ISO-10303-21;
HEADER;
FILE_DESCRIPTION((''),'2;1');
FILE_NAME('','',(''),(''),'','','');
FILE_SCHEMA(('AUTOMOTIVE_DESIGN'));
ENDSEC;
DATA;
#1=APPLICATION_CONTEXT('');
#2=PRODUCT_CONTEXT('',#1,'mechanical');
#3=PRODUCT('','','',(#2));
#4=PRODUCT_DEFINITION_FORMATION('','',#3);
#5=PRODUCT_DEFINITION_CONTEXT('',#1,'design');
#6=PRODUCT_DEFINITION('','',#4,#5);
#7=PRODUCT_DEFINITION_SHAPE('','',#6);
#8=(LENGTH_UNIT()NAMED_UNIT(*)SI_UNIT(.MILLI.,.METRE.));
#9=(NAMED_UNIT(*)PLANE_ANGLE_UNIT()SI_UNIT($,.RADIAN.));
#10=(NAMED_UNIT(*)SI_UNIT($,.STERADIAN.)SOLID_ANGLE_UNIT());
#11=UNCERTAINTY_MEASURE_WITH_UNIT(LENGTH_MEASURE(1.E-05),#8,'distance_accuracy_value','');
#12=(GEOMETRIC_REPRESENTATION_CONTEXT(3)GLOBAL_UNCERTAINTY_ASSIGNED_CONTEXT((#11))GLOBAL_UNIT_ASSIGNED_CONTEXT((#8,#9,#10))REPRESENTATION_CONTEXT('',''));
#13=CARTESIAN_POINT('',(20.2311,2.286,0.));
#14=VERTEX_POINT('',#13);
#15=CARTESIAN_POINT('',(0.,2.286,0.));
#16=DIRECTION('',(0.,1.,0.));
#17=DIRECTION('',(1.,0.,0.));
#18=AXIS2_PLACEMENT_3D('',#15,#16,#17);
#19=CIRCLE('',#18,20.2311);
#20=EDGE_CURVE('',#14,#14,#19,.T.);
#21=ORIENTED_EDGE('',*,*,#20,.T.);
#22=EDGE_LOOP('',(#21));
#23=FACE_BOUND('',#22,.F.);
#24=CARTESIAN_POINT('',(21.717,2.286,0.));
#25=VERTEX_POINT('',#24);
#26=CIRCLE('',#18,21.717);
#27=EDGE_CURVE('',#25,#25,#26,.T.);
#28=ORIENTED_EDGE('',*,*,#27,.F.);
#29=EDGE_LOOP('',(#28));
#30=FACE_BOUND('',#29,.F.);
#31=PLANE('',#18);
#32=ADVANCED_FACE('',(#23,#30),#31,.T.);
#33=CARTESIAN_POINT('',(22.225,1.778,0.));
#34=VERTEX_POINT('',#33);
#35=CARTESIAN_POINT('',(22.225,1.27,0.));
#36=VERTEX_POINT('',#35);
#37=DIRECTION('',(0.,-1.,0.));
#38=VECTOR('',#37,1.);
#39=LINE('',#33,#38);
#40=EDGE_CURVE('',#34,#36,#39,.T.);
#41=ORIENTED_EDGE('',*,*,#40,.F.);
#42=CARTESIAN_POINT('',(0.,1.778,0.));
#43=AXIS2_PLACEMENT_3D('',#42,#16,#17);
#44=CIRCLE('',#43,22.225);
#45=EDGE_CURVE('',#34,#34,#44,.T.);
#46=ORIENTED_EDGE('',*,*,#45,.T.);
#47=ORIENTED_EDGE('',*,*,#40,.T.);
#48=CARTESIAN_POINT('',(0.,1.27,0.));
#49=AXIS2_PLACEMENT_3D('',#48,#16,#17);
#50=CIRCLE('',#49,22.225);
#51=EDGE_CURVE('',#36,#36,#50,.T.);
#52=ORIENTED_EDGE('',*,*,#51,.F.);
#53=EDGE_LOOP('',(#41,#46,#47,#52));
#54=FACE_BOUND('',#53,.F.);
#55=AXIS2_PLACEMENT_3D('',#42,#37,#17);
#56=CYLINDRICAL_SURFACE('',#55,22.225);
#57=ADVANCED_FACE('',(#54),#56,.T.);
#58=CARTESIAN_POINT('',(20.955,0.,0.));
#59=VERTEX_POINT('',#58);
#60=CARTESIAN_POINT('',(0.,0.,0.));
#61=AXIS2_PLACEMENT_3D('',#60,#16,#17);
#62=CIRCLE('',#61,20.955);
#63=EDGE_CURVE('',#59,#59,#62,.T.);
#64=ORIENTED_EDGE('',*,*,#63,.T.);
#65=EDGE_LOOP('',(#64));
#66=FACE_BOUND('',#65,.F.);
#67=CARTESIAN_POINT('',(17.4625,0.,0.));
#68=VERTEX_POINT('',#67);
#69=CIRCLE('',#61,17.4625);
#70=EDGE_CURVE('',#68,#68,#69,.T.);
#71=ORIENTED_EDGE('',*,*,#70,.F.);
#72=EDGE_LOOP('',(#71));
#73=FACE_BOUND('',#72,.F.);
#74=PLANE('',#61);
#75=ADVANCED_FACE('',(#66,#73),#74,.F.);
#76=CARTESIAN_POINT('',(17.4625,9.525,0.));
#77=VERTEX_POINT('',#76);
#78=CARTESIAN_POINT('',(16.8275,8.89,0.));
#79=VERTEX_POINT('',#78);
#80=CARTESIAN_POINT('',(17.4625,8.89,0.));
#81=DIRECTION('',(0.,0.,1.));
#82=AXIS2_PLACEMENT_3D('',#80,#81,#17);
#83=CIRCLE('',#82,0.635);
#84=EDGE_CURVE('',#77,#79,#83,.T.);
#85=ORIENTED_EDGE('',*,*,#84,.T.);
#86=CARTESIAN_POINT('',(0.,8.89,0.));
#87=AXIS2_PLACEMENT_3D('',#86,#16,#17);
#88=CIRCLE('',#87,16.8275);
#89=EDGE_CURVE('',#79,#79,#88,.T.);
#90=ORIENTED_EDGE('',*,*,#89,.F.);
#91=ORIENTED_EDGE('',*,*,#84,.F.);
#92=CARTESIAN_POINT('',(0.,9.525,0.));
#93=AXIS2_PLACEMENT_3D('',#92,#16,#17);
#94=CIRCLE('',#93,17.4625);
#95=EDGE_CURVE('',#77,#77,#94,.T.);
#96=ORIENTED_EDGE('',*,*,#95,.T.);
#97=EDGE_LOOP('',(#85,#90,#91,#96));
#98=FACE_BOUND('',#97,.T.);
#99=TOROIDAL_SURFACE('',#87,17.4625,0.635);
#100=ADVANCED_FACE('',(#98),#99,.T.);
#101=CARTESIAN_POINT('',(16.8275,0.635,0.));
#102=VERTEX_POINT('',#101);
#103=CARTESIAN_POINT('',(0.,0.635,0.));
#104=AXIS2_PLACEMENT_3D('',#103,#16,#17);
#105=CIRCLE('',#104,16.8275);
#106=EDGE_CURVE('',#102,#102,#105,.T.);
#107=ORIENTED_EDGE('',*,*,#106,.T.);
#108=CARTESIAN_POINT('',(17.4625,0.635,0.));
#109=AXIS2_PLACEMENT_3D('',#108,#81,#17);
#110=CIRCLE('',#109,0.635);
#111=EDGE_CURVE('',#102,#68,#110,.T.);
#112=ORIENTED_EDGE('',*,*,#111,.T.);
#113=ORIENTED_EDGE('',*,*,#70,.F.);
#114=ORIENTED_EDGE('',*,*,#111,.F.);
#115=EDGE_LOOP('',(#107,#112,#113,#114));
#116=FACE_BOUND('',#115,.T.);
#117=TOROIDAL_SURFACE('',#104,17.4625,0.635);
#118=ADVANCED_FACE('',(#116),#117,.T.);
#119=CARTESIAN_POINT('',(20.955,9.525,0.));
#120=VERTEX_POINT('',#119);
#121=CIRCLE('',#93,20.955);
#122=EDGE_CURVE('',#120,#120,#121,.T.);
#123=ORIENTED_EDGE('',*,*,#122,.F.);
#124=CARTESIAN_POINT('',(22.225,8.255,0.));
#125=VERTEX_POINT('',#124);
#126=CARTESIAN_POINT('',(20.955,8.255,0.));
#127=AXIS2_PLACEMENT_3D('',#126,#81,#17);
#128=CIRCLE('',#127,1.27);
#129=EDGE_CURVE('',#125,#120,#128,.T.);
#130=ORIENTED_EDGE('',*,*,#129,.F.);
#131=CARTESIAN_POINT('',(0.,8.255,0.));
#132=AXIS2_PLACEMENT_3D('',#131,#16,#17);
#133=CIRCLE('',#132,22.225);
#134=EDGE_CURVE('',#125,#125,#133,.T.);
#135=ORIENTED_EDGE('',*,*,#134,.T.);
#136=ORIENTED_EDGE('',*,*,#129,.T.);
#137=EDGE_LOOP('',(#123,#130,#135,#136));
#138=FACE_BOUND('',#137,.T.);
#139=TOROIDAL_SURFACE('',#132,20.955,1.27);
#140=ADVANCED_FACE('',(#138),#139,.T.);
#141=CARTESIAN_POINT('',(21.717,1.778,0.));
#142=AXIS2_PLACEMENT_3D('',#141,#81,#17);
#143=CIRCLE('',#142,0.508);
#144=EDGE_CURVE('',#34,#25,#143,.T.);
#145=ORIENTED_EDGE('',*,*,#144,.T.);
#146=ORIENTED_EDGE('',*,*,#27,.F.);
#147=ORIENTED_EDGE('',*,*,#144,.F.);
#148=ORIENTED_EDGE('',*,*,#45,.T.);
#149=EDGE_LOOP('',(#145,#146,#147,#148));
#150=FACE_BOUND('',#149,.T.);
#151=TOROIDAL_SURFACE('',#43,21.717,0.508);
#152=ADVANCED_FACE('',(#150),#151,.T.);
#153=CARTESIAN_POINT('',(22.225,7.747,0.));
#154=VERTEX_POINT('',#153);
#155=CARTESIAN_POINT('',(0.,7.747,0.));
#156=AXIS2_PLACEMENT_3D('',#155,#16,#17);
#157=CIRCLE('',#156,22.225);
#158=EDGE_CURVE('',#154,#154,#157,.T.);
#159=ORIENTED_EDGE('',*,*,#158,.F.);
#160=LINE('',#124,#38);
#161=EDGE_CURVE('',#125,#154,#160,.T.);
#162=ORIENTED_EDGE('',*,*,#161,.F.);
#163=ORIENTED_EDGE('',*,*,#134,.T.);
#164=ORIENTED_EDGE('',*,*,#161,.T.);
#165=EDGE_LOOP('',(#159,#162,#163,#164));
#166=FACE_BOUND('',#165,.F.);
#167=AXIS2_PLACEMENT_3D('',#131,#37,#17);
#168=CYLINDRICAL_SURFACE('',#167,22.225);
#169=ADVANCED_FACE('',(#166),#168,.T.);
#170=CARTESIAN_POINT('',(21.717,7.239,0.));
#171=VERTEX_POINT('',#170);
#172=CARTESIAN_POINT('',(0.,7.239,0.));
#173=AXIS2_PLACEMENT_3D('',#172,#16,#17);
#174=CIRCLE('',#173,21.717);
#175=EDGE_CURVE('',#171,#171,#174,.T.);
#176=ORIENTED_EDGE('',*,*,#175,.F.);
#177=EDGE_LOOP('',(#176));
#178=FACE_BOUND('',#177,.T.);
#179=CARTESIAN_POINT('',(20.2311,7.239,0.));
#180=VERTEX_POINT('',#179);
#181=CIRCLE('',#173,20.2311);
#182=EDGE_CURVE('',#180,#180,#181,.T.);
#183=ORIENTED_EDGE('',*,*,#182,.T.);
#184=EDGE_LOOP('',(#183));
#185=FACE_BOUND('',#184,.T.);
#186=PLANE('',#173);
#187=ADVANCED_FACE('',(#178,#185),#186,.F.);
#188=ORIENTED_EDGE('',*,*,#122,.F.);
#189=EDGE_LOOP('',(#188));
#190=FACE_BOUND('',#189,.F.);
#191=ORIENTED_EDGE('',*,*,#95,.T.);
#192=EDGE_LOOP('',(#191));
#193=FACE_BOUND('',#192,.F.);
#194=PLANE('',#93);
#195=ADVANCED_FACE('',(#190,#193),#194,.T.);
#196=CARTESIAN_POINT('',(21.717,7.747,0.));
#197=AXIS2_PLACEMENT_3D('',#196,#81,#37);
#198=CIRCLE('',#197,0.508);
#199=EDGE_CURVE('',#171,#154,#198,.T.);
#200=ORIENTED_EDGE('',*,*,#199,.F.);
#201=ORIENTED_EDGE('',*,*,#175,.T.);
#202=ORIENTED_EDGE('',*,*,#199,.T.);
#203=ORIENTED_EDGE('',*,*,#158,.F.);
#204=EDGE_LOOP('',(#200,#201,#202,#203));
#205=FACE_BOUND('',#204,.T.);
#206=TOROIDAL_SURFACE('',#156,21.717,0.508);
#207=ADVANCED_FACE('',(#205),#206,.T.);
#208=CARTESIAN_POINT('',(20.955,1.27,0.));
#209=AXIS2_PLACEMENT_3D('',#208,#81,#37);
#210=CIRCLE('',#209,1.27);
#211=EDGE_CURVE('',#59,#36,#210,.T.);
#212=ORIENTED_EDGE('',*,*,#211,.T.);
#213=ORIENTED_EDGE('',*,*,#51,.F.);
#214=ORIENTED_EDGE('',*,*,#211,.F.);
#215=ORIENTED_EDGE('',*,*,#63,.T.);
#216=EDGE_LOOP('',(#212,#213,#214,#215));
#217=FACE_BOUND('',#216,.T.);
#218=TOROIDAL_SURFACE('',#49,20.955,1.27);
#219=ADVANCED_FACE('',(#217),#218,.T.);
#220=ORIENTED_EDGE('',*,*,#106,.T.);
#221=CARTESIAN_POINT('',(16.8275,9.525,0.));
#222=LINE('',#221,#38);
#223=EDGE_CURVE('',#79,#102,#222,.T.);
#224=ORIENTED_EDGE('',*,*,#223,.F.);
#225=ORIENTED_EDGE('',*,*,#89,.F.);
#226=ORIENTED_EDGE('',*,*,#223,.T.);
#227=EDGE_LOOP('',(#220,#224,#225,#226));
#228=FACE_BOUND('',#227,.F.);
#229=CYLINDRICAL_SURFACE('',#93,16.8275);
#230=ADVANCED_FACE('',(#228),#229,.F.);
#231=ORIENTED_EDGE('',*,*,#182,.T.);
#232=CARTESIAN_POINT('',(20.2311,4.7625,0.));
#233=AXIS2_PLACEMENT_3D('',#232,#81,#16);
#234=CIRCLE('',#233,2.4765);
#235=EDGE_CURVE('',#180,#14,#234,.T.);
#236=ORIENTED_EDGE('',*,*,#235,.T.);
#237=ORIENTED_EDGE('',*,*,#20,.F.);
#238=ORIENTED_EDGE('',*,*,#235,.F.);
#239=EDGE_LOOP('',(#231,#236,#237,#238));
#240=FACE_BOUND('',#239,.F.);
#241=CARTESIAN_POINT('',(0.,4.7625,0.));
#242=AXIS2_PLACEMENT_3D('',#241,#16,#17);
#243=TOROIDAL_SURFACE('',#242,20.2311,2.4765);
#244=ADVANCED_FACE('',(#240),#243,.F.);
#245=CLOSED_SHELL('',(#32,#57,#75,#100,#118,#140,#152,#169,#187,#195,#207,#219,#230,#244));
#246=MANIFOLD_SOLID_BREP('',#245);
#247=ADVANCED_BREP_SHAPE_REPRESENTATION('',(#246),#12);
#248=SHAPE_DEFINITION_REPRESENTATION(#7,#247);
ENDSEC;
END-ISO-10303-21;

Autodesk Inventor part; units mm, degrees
ref_plane "YZ Plane" through (0, 0, 0) normal (1, 0, 0) x (0, 1, 0)
ref_plane "XZ Plane" through (0, 0, 0) normal (0, 1, 0) x (-1, 0, 0)
ref_plane "XY Plane" through (0, 0, 0) normal (0, 0, 1) x (1, 0, 0)
sketch "Sketch1" plane through (0, 0, 0) normal (0, 0, 1) x (1, 0, 0)
  line L0 (0, 0) -> (0, 9.525)
  line L1 (0, 9.525) -> (20.955, 9.525)
  line L2 (20.955, 0) -> (0, 0)
  line L3 (22.225, 4.7625) -> (20.2311, 4.7625) construction
  arc A0 (20.2311, 7.239) -> (20.2311, 2.286) centre (20.2311, 4.7625) ccw
  line L4 (20.2311, 7.239) -> (21.717, 7.239)
  line L5 (20.2311, 2.286) -> (21.717, 2.286)
  arc A1 (22.225, 8.255) -> (20.955, 9.525) centre (20.955, 8.255) ccw
  arc A2 (20.955, 0) -> (22.225, 1.27) centre (20.955, 1.27) ccw
  line L6 (22.225, 8.255) -> (22.225, 7.747)
  line L7 (22.225, 1.778) -> (22.225, 1.27)
  arc A3 (21.717, 7.239) -> (22.225, 7.747) centre (21.717, 7.747) ccw
  arc A4 (22.225, 1.778) -> (21.717, 2.286) centre (21.717, 1.778) ccw
  point P0 (22.225, 9.525)
  dimension "d0" = 9.525
  dimension "d1" = 22.225
  dimension "d2" = 1.9939
  dimension "d3" = 1.27
  dimension "d4" = 0.508
  dimension "d12" = 2.286
  dimension "d13" = 2.286
revolve "Revolution1" add sketch "Sketch1" angle 360 about axis through (0, 0, 0) along (0, 1, 0)
sketch "Sketch2" plane through (0, 9.525, 0) normal (0, 1, 0) x (1, 0, 0)
  circle A0 centre (0, 0) radius 16.8275
  dimension "d6" = 33.655
extrude "Extrusion1" cut sketch "Sketch2" against normal through all
fillet "Fillet1" radius 0.635 1 edges at (-16.8275, 9.525, 0)
fillet "Fillet2" radius 0.635 1 edges at (-16.8275, 0, 0)
properties part number "_3DPrint"
